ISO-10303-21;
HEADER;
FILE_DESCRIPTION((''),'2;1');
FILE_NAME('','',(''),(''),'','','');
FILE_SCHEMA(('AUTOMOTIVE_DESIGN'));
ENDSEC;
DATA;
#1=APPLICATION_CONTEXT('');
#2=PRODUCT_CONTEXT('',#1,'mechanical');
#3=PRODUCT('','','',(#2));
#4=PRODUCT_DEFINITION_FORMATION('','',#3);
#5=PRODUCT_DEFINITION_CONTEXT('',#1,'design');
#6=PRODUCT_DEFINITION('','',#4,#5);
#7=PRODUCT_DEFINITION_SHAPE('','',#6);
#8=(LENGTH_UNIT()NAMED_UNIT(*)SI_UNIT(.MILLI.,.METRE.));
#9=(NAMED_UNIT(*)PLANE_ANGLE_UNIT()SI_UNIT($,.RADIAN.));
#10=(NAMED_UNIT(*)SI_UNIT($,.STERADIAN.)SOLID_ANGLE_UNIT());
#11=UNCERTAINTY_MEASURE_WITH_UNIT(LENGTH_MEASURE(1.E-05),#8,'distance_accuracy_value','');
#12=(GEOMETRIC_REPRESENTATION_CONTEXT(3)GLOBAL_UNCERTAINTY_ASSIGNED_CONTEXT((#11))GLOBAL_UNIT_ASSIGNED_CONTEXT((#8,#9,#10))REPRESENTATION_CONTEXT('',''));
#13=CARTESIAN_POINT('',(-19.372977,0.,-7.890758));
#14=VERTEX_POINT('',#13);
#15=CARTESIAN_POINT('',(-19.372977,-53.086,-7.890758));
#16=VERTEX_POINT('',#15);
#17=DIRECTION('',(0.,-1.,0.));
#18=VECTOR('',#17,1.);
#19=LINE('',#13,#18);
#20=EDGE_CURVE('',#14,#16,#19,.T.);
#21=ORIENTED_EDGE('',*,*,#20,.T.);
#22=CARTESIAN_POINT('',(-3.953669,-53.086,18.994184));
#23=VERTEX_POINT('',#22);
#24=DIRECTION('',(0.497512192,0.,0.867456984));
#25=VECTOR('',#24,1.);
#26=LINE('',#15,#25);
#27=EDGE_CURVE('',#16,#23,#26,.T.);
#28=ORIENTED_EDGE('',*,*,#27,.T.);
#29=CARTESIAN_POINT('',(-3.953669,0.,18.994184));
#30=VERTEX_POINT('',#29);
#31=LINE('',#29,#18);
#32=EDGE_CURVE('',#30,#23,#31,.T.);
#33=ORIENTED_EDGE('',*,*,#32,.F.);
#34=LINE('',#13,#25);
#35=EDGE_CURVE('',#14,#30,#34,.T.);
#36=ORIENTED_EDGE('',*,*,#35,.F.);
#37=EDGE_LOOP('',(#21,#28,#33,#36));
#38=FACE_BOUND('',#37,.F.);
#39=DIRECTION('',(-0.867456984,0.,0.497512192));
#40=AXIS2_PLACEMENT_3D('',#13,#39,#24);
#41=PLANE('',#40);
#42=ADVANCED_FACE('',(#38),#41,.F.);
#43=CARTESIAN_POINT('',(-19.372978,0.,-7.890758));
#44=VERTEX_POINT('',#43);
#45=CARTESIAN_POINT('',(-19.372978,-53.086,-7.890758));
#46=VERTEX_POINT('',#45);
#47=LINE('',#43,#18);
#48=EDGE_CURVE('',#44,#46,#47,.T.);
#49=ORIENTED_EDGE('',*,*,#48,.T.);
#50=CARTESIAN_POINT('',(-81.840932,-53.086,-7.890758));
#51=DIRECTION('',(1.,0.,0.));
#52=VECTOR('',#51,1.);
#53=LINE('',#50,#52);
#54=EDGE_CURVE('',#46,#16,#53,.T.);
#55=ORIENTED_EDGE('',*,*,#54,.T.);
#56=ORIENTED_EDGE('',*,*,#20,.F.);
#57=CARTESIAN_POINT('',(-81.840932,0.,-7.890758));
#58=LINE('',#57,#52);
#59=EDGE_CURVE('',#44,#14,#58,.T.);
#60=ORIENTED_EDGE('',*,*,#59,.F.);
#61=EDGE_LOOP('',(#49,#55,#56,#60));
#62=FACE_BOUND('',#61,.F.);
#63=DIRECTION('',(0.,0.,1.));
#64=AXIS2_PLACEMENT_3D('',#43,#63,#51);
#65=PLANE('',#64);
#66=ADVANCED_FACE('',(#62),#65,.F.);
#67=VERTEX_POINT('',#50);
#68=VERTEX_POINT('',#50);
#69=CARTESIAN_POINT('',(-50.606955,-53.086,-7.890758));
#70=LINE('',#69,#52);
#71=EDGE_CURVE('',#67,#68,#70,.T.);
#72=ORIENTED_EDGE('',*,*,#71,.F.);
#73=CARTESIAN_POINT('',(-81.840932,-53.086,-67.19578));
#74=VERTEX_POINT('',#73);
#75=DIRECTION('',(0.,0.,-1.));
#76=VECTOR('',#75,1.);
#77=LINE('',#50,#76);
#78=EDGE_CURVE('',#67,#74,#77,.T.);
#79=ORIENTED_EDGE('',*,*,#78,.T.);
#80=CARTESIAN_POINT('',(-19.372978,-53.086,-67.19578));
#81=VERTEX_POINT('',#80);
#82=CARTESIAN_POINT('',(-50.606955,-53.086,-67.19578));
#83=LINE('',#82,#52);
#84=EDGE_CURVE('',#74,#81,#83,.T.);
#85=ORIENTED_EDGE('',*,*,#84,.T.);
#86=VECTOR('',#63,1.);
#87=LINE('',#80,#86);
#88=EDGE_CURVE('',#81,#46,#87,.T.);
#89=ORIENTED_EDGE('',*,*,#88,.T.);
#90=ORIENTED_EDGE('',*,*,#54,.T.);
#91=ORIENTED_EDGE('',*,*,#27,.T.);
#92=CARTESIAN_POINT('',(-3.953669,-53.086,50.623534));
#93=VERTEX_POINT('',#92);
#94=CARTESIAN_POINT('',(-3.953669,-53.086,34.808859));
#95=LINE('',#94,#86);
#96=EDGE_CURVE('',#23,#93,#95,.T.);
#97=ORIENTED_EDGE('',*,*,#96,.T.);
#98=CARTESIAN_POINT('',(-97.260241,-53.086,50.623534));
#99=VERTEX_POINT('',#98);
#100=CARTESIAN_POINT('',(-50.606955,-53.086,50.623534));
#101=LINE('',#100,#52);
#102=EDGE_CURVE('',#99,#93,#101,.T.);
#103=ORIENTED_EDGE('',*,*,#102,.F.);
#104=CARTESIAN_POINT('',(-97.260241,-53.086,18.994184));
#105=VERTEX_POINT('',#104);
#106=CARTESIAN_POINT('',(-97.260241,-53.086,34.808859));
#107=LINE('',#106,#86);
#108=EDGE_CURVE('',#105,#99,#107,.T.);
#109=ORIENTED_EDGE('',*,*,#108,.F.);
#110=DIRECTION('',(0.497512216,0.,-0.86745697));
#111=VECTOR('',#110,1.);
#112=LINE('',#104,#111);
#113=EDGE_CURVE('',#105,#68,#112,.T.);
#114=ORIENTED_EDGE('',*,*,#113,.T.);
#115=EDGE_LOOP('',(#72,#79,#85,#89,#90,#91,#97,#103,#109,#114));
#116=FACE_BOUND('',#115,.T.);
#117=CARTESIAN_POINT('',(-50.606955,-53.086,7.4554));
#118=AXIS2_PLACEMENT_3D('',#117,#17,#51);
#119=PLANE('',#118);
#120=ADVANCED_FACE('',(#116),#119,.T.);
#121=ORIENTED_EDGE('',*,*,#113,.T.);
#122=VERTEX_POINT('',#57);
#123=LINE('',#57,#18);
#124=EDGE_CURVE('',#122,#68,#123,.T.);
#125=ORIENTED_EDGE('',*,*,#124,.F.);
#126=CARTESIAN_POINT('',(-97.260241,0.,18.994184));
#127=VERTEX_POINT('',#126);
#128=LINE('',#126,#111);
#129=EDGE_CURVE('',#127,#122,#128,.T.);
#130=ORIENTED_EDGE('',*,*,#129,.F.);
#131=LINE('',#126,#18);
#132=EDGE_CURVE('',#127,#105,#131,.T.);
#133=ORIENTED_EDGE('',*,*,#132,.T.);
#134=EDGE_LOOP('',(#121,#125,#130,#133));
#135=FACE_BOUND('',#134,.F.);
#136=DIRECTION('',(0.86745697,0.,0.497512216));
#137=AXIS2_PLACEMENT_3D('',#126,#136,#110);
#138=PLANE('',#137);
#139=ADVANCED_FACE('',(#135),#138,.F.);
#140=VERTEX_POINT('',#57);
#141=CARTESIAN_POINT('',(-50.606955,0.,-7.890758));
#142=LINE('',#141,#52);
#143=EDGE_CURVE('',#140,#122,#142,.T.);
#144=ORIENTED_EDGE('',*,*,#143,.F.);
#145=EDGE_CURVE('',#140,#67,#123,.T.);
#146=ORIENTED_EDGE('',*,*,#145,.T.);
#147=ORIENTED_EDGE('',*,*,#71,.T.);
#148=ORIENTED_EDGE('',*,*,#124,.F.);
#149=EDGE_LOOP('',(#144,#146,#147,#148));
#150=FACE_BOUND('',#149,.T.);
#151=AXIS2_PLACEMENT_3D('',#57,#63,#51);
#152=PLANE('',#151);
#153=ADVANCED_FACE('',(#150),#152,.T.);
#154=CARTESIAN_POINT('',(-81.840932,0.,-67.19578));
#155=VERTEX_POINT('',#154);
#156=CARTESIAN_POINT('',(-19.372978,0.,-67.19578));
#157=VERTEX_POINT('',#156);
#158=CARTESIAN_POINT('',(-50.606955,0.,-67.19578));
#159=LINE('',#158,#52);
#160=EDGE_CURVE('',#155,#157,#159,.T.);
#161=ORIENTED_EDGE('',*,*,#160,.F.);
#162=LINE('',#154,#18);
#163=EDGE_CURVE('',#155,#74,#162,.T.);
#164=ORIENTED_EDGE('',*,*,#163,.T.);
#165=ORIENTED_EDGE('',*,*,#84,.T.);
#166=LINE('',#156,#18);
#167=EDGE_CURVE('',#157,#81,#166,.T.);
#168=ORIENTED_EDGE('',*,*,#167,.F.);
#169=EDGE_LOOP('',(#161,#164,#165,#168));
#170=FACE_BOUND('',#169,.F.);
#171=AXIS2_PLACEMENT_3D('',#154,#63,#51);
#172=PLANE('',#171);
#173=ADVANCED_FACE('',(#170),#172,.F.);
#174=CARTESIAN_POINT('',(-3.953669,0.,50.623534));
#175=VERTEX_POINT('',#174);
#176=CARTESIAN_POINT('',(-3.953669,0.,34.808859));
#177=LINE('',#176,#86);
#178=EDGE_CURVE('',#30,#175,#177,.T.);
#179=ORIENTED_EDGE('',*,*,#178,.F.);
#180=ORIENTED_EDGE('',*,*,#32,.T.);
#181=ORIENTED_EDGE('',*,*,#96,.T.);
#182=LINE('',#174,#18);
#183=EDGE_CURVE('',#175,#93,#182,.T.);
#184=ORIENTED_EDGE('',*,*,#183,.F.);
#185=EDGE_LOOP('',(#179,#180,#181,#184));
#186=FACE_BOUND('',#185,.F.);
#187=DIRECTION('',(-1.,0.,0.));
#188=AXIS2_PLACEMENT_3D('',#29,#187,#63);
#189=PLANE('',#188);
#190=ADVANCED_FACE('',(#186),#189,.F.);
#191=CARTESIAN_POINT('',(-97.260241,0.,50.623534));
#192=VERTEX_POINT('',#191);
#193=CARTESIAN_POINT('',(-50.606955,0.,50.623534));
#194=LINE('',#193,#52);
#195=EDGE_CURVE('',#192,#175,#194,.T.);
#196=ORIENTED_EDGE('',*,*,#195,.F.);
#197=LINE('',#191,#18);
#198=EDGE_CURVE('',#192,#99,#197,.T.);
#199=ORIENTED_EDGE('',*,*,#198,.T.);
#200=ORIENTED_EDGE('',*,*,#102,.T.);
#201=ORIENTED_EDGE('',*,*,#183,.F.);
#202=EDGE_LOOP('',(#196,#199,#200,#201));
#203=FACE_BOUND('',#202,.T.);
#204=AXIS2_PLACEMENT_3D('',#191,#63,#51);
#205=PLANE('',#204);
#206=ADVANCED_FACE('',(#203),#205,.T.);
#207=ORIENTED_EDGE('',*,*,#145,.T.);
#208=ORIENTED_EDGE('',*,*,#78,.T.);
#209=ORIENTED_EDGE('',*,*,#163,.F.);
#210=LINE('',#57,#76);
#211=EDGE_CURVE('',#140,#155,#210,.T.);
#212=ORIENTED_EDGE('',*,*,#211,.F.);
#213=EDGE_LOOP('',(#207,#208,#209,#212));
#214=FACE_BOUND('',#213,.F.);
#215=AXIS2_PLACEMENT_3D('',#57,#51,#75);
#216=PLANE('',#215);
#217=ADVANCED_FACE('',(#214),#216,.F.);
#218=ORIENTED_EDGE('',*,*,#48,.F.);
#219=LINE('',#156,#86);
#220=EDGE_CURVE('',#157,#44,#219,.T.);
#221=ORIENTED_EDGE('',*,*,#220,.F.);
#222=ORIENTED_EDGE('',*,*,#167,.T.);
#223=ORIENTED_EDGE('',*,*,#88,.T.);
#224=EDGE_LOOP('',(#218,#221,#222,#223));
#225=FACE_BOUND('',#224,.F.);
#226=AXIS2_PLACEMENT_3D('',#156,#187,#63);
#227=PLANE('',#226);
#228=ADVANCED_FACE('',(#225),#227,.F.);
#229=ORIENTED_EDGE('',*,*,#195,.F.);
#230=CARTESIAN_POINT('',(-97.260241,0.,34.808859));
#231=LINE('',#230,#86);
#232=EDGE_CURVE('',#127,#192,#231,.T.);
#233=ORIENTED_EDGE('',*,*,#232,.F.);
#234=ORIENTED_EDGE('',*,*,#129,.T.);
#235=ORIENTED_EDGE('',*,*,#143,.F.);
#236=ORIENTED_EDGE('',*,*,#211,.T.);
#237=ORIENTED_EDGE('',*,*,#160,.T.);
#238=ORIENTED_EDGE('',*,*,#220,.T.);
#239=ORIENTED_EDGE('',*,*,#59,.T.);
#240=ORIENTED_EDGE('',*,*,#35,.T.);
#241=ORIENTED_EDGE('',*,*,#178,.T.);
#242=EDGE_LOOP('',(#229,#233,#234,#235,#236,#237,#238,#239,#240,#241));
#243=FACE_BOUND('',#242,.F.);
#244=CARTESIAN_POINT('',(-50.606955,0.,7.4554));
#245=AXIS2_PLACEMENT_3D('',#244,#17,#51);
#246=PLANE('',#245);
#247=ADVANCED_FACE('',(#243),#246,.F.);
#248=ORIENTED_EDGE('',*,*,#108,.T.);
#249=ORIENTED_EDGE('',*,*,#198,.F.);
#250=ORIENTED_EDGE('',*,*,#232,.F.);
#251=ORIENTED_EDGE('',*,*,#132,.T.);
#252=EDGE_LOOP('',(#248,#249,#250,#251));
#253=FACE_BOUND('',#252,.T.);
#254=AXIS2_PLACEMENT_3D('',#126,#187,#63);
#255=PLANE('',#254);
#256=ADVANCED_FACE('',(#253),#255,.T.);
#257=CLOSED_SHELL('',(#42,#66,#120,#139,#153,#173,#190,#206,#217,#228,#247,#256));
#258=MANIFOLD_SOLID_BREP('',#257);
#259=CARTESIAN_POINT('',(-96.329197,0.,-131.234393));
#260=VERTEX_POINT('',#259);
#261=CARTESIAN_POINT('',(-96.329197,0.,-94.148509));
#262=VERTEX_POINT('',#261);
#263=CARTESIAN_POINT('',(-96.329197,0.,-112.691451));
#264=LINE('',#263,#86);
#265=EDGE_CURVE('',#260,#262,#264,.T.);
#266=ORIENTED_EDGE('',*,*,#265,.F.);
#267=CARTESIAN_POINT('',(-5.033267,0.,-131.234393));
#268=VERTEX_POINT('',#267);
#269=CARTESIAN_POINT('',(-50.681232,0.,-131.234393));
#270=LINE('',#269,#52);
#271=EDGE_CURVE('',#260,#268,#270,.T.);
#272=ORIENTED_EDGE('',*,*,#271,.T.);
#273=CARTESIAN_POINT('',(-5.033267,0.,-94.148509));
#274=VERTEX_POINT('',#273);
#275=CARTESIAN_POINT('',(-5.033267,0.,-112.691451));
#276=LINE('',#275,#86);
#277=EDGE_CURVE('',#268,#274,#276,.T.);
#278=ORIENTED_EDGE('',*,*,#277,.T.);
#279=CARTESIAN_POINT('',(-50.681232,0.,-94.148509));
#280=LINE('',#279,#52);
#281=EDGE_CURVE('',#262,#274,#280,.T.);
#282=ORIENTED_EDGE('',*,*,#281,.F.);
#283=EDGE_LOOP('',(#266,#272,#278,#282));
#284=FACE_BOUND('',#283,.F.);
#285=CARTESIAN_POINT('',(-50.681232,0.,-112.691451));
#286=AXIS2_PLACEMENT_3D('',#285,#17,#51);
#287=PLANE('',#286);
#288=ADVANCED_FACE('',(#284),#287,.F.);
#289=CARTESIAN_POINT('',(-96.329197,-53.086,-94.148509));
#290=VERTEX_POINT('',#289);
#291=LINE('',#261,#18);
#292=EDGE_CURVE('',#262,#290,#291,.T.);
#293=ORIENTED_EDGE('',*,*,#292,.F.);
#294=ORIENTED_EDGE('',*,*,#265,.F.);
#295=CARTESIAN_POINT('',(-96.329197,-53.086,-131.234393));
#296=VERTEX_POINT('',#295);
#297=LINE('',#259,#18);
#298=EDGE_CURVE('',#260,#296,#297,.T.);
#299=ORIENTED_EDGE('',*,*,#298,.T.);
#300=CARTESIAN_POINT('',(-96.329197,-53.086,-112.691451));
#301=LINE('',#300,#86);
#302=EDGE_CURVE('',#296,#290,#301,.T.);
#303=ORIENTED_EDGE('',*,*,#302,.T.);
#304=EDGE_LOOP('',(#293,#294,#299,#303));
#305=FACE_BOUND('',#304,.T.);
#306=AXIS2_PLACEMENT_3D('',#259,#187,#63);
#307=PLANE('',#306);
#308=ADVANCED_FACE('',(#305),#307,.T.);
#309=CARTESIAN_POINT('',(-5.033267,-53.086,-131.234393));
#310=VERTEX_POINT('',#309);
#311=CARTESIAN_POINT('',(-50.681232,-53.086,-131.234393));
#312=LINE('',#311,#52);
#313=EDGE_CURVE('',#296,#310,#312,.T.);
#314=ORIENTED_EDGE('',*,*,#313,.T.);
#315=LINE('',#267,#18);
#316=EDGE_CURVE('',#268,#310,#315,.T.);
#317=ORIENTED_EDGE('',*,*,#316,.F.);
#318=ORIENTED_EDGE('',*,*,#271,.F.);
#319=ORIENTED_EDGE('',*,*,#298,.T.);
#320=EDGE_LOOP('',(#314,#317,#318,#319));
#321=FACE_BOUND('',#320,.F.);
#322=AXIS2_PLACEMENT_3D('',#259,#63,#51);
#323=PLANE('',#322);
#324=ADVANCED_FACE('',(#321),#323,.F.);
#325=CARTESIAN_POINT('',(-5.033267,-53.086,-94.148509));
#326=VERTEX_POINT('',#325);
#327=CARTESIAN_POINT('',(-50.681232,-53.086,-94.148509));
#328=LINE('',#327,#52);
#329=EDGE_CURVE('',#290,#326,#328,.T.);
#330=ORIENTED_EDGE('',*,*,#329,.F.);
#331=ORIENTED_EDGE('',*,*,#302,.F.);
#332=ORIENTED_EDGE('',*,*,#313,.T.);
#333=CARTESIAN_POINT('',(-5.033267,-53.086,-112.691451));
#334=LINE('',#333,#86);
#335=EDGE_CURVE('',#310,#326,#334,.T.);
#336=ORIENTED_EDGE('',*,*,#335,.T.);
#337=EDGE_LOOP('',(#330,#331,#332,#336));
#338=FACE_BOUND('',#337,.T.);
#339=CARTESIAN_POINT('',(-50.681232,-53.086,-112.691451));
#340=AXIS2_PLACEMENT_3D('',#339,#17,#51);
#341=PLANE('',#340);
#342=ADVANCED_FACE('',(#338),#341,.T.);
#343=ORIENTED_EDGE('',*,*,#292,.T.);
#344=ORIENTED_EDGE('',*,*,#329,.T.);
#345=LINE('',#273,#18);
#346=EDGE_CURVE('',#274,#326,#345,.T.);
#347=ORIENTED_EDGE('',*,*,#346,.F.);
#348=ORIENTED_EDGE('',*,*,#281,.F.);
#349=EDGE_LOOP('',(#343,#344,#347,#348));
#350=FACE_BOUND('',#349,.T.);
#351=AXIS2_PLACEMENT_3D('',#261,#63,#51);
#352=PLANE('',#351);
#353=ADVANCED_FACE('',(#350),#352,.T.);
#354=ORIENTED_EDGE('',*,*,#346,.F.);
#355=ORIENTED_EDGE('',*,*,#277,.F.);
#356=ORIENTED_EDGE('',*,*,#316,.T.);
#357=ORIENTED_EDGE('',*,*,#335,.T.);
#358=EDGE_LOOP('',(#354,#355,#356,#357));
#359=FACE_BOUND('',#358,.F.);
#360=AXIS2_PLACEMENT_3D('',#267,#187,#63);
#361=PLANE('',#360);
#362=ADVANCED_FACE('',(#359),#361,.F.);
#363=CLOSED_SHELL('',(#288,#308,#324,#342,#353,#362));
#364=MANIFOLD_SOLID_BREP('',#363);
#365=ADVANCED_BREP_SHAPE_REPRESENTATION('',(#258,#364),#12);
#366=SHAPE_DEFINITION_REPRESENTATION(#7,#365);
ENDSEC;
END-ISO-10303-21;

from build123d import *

# Parameters (mm, degrees)
F0_W     = 93.306572
F0_H     = 31.62935
F0_W_2   = 91.29593
F0_H_2   = 37.085884
F0_W_3   = 62.467955
F0_H_3   = 0.790732
F0_H_4   = 58.514291
F1_DEPTH = 53.086


with BuildPart() as f1:
    # F0 (on Front) → F1 (new body)
    with BuildSketch(Plane.XZ):
        Polygon((-19.372977, -7.890758), (-3.953669, 18.994184), (-97.260241, 18.994184), (-81.840932, -7.890758), align=None)
        with Locations((-50.606955, 34.808859)):
            Rectangle(F0_W, F0_H)
        with Locations((-50.681232, -112.691451)):
            Rectangle(F0_W_2, F0_H_2)
        with Locations((-50.606955, -8.286124)):
            Rectangle(F0_W_3, F0_H_3)
        with Locations((-50.606955, -37.938635)):
            Rectangle(F0_W_3, F0_H_4)
    extrude(amount=F1_DEPTH)


solid = f1.part
